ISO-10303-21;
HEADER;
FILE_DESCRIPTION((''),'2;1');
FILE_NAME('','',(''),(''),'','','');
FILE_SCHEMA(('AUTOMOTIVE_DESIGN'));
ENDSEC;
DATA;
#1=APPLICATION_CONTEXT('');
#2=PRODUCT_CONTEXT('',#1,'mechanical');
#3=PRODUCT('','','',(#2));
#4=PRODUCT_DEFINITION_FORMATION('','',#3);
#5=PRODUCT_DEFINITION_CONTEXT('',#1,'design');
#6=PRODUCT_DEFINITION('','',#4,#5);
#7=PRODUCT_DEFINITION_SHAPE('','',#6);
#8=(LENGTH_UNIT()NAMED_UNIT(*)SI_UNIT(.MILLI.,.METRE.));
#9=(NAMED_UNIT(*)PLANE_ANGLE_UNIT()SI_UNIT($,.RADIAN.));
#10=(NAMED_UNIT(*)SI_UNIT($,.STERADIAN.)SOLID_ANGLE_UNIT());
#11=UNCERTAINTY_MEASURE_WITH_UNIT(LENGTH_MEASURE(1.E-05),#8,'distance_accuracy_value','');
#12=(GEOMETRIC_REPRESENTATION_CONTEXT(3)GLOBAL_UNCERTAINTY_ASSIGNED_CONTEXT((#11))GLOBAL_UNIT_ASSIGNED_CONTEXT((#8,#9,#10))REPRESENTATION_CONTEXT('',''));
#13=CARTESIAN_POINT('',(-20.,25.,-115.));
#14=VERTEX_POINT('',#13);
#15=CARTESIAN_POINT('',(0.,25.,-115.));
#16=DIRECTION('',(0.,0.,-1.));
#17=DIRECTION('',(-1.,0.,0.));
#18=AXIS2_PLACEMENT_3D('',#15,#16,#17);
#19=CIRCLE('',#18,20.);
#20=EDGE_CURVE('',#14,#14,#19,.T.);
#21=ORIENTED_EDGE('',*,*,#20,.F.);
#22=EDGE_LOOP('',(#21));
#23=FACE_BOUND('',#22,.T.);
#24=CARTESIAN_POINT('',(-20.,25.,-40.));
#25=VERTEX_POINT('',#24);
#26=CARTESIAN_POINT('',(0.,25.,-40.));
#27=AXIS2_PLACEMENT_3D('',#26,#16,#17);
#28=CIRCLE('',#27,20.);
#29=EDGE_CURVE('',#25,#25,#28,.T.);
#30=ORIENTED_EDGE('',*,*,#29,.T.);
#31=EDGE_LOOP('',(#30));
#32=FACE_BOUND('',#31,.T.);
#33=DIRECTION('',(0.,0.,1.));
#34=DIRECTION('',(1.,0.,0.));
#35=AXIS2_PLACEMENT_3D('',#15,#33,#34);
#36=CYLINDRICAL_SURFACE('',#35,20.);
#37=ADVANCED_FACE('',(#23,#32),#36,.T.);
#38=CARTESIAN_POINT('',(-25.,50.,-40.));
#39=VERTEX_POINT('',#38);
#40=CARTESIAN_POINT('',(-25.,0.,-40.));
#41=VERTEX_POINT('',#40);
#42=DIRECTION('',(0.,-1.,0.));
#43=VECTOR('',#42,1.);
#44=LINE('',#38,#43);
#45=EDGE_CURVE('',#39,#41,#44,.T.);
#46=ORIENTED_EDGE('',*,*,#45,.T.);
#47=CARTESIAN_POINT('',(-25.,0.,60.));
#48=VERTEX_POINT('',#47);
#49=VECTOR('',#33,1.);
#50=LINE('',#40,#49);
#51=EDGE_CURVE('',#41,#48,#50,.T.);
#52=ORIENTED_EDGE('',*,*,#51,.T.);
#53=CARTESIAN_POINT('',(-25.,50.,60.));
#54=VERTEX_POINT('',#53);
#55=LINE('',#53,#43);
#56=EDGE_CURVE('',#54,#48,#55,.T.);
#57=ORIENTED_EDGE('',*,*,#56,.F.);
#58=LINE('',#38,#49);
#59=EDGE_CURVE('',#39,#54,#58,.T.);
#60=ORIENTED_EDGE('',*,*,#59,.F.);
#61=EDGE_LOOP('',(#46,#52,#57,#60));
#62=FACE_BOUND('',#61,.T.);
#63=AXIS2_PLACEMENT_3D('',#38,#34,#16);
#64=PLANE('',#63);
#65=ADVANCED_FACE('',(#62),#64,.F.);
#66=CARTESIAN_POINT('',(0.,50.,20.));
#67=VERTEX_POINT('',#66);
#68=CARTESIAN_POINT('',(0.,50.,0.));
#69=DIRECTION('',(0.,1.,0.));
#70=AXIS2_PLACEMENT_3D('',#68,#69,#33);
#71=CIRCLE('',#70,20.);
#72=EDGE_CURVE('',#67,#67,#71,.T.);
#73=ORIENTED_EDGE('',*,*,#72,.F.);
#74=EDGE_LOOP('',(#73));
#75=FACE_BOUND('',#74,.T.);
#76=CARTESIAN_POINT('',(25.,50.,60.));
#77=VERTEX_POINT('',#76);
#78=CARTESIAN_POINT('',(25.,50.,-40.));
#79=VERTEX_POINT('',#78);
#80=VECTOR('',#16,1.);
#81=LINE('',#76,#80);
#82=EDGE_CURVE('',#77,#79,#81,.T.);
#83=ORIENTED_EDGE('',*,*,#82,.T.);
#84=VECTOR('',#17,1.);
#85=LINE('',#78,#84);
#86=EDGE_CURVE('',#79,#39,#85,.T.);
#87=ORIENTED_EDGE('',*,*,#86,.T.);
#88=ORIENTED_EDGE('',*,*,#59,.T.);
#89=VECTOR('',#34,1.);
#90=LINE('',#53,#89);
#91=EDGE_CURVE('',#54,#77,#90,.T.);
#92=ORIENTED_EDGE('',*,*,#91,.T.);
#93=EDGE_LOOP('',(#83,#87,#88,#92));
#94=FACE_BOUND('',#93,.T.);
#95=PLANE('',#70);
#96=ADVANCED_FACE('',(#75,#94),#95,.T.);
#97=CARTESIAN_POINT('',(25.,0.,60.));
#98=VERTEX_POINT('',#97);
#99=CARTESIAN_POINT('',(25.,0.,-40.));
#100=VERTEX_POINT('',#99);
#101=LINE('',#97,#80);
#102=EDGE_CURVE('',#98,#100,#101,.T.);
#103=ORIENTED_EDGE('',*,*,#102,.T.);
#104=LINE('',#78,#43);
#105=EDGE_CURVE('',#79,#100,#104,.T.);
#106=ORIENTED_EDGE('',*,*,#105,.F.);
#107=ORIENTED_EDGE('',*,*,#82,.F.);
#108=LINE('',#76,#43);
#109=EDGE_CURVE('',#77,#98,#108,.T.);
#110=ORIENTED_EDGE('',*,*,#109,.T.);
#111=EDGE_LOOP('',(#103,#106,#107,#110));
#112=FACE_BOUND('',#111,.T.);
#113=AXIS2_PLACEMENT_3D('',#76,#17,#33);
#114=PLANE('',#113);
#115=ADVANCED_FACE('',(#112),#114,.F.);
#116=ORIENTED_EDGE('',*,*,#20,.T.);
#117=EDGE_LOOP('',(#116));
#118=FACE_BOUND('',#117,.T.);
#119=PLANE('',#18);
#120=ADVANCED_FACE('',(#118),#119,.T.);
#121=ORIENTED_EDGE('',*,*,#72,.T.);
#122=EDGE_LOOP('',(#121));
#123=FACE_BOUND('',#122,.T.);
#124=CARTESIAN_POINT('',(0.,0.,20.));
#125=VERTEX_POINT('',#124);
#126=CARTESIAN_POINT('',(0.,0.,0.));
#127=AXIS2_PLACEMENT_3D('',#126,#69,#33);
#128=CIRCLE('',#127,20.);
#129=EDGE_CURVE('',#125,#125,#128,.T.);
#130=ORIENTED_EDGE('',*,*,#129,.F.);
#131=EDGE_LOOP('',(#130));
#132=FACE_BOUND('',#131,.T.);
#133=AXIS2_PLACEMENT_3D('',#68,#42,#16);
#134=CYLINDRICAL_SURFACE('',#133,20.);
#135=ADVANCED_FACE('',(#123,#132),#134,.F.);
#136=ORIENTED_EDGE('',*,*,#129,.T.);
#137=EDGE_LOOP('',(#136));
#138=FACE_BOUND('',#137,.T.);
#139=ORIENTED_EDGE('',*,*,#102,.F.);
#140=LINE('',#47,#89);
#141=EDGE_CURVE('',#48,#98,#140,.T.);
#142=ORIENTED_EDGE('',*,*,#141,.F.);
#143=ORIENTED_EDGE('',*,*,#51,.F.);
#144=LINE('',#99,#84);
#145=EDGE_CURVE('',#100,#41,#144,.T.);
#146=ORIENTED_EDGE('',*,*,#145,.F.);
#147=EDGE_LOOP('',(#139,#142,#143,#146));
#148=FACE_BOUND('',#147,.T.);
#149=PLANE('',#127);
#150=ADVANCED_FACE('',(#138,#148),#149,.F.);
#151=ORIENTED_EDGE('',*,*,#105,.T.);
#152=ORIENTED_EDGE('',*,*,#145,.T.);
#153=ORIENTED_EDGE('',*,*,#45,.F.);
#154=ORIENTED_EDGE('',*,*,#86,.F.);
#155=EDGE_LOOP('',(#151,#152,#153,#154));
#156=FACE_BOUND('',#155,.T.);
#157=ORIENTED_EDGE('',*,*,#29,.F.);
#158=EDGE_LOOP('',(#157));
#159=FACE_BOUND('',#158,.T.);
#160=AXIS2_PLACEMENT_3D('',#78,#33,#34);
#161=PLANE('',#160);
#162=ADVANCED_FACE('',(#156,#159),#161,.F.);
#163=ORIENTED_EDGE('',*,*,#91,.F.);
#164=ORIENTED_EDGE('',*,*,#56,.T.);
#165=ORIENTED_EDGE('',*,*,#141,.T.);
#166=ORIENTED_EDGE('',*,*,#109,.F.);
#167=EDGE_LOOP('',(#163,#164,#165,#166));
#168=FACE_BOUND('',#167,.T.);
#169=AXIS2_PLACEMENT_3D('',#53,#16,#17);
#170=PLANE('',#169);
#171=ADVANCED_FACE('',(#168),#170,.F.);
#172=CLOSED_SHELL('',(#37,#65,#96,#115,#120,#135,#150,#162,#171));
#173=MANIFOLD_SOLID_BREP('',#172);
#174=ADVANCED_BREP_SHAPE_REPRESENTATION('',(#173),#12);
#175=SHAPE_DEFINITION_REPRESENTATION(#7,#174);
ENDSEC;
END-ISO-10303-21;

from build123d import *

# Parameters (mm, degrees)
CROQUIS1_W              = 50
CROQUIS1_H              = 100
CROQUIS1_R              = 20
SALIENTE_EXTRUIR1_DEPTH = 50
CROQUIS2_R              = 20
SALIENTE_EXTRUIR2_DEPTH = 75


with BuildPart() as part:
    # Croquis1 → Saliente-Extruir1 (new body)
    with BuildSketch(Plane(origin=(0, 0, 0), x_dir=(1, 0, 0), z_dir=(0, 1, 0))):
        with Locations((0, -10)):
            Rectangle(CROQUIS1_W, CROQUIS1_H)
        Circle(CROQUIS1_R, mode=Mode.SUBTRACT)
    extrude(amount=SALIENTE_EXTRUIR1_DEPTH)

    # Croquis2 → Saliente-Extruir2 (add)
    with BuildSketch(Plane(origin=(0, 0, -40), x_dir=(-1, 0, 0), z_dir=(0, 0, -1))):
        with Locations((0, 25)):
            Circle(CROQUIS2_R)
    extrude(amount=SALIENTE_EXTRUIR2_DEPTH)


solid = part.part
